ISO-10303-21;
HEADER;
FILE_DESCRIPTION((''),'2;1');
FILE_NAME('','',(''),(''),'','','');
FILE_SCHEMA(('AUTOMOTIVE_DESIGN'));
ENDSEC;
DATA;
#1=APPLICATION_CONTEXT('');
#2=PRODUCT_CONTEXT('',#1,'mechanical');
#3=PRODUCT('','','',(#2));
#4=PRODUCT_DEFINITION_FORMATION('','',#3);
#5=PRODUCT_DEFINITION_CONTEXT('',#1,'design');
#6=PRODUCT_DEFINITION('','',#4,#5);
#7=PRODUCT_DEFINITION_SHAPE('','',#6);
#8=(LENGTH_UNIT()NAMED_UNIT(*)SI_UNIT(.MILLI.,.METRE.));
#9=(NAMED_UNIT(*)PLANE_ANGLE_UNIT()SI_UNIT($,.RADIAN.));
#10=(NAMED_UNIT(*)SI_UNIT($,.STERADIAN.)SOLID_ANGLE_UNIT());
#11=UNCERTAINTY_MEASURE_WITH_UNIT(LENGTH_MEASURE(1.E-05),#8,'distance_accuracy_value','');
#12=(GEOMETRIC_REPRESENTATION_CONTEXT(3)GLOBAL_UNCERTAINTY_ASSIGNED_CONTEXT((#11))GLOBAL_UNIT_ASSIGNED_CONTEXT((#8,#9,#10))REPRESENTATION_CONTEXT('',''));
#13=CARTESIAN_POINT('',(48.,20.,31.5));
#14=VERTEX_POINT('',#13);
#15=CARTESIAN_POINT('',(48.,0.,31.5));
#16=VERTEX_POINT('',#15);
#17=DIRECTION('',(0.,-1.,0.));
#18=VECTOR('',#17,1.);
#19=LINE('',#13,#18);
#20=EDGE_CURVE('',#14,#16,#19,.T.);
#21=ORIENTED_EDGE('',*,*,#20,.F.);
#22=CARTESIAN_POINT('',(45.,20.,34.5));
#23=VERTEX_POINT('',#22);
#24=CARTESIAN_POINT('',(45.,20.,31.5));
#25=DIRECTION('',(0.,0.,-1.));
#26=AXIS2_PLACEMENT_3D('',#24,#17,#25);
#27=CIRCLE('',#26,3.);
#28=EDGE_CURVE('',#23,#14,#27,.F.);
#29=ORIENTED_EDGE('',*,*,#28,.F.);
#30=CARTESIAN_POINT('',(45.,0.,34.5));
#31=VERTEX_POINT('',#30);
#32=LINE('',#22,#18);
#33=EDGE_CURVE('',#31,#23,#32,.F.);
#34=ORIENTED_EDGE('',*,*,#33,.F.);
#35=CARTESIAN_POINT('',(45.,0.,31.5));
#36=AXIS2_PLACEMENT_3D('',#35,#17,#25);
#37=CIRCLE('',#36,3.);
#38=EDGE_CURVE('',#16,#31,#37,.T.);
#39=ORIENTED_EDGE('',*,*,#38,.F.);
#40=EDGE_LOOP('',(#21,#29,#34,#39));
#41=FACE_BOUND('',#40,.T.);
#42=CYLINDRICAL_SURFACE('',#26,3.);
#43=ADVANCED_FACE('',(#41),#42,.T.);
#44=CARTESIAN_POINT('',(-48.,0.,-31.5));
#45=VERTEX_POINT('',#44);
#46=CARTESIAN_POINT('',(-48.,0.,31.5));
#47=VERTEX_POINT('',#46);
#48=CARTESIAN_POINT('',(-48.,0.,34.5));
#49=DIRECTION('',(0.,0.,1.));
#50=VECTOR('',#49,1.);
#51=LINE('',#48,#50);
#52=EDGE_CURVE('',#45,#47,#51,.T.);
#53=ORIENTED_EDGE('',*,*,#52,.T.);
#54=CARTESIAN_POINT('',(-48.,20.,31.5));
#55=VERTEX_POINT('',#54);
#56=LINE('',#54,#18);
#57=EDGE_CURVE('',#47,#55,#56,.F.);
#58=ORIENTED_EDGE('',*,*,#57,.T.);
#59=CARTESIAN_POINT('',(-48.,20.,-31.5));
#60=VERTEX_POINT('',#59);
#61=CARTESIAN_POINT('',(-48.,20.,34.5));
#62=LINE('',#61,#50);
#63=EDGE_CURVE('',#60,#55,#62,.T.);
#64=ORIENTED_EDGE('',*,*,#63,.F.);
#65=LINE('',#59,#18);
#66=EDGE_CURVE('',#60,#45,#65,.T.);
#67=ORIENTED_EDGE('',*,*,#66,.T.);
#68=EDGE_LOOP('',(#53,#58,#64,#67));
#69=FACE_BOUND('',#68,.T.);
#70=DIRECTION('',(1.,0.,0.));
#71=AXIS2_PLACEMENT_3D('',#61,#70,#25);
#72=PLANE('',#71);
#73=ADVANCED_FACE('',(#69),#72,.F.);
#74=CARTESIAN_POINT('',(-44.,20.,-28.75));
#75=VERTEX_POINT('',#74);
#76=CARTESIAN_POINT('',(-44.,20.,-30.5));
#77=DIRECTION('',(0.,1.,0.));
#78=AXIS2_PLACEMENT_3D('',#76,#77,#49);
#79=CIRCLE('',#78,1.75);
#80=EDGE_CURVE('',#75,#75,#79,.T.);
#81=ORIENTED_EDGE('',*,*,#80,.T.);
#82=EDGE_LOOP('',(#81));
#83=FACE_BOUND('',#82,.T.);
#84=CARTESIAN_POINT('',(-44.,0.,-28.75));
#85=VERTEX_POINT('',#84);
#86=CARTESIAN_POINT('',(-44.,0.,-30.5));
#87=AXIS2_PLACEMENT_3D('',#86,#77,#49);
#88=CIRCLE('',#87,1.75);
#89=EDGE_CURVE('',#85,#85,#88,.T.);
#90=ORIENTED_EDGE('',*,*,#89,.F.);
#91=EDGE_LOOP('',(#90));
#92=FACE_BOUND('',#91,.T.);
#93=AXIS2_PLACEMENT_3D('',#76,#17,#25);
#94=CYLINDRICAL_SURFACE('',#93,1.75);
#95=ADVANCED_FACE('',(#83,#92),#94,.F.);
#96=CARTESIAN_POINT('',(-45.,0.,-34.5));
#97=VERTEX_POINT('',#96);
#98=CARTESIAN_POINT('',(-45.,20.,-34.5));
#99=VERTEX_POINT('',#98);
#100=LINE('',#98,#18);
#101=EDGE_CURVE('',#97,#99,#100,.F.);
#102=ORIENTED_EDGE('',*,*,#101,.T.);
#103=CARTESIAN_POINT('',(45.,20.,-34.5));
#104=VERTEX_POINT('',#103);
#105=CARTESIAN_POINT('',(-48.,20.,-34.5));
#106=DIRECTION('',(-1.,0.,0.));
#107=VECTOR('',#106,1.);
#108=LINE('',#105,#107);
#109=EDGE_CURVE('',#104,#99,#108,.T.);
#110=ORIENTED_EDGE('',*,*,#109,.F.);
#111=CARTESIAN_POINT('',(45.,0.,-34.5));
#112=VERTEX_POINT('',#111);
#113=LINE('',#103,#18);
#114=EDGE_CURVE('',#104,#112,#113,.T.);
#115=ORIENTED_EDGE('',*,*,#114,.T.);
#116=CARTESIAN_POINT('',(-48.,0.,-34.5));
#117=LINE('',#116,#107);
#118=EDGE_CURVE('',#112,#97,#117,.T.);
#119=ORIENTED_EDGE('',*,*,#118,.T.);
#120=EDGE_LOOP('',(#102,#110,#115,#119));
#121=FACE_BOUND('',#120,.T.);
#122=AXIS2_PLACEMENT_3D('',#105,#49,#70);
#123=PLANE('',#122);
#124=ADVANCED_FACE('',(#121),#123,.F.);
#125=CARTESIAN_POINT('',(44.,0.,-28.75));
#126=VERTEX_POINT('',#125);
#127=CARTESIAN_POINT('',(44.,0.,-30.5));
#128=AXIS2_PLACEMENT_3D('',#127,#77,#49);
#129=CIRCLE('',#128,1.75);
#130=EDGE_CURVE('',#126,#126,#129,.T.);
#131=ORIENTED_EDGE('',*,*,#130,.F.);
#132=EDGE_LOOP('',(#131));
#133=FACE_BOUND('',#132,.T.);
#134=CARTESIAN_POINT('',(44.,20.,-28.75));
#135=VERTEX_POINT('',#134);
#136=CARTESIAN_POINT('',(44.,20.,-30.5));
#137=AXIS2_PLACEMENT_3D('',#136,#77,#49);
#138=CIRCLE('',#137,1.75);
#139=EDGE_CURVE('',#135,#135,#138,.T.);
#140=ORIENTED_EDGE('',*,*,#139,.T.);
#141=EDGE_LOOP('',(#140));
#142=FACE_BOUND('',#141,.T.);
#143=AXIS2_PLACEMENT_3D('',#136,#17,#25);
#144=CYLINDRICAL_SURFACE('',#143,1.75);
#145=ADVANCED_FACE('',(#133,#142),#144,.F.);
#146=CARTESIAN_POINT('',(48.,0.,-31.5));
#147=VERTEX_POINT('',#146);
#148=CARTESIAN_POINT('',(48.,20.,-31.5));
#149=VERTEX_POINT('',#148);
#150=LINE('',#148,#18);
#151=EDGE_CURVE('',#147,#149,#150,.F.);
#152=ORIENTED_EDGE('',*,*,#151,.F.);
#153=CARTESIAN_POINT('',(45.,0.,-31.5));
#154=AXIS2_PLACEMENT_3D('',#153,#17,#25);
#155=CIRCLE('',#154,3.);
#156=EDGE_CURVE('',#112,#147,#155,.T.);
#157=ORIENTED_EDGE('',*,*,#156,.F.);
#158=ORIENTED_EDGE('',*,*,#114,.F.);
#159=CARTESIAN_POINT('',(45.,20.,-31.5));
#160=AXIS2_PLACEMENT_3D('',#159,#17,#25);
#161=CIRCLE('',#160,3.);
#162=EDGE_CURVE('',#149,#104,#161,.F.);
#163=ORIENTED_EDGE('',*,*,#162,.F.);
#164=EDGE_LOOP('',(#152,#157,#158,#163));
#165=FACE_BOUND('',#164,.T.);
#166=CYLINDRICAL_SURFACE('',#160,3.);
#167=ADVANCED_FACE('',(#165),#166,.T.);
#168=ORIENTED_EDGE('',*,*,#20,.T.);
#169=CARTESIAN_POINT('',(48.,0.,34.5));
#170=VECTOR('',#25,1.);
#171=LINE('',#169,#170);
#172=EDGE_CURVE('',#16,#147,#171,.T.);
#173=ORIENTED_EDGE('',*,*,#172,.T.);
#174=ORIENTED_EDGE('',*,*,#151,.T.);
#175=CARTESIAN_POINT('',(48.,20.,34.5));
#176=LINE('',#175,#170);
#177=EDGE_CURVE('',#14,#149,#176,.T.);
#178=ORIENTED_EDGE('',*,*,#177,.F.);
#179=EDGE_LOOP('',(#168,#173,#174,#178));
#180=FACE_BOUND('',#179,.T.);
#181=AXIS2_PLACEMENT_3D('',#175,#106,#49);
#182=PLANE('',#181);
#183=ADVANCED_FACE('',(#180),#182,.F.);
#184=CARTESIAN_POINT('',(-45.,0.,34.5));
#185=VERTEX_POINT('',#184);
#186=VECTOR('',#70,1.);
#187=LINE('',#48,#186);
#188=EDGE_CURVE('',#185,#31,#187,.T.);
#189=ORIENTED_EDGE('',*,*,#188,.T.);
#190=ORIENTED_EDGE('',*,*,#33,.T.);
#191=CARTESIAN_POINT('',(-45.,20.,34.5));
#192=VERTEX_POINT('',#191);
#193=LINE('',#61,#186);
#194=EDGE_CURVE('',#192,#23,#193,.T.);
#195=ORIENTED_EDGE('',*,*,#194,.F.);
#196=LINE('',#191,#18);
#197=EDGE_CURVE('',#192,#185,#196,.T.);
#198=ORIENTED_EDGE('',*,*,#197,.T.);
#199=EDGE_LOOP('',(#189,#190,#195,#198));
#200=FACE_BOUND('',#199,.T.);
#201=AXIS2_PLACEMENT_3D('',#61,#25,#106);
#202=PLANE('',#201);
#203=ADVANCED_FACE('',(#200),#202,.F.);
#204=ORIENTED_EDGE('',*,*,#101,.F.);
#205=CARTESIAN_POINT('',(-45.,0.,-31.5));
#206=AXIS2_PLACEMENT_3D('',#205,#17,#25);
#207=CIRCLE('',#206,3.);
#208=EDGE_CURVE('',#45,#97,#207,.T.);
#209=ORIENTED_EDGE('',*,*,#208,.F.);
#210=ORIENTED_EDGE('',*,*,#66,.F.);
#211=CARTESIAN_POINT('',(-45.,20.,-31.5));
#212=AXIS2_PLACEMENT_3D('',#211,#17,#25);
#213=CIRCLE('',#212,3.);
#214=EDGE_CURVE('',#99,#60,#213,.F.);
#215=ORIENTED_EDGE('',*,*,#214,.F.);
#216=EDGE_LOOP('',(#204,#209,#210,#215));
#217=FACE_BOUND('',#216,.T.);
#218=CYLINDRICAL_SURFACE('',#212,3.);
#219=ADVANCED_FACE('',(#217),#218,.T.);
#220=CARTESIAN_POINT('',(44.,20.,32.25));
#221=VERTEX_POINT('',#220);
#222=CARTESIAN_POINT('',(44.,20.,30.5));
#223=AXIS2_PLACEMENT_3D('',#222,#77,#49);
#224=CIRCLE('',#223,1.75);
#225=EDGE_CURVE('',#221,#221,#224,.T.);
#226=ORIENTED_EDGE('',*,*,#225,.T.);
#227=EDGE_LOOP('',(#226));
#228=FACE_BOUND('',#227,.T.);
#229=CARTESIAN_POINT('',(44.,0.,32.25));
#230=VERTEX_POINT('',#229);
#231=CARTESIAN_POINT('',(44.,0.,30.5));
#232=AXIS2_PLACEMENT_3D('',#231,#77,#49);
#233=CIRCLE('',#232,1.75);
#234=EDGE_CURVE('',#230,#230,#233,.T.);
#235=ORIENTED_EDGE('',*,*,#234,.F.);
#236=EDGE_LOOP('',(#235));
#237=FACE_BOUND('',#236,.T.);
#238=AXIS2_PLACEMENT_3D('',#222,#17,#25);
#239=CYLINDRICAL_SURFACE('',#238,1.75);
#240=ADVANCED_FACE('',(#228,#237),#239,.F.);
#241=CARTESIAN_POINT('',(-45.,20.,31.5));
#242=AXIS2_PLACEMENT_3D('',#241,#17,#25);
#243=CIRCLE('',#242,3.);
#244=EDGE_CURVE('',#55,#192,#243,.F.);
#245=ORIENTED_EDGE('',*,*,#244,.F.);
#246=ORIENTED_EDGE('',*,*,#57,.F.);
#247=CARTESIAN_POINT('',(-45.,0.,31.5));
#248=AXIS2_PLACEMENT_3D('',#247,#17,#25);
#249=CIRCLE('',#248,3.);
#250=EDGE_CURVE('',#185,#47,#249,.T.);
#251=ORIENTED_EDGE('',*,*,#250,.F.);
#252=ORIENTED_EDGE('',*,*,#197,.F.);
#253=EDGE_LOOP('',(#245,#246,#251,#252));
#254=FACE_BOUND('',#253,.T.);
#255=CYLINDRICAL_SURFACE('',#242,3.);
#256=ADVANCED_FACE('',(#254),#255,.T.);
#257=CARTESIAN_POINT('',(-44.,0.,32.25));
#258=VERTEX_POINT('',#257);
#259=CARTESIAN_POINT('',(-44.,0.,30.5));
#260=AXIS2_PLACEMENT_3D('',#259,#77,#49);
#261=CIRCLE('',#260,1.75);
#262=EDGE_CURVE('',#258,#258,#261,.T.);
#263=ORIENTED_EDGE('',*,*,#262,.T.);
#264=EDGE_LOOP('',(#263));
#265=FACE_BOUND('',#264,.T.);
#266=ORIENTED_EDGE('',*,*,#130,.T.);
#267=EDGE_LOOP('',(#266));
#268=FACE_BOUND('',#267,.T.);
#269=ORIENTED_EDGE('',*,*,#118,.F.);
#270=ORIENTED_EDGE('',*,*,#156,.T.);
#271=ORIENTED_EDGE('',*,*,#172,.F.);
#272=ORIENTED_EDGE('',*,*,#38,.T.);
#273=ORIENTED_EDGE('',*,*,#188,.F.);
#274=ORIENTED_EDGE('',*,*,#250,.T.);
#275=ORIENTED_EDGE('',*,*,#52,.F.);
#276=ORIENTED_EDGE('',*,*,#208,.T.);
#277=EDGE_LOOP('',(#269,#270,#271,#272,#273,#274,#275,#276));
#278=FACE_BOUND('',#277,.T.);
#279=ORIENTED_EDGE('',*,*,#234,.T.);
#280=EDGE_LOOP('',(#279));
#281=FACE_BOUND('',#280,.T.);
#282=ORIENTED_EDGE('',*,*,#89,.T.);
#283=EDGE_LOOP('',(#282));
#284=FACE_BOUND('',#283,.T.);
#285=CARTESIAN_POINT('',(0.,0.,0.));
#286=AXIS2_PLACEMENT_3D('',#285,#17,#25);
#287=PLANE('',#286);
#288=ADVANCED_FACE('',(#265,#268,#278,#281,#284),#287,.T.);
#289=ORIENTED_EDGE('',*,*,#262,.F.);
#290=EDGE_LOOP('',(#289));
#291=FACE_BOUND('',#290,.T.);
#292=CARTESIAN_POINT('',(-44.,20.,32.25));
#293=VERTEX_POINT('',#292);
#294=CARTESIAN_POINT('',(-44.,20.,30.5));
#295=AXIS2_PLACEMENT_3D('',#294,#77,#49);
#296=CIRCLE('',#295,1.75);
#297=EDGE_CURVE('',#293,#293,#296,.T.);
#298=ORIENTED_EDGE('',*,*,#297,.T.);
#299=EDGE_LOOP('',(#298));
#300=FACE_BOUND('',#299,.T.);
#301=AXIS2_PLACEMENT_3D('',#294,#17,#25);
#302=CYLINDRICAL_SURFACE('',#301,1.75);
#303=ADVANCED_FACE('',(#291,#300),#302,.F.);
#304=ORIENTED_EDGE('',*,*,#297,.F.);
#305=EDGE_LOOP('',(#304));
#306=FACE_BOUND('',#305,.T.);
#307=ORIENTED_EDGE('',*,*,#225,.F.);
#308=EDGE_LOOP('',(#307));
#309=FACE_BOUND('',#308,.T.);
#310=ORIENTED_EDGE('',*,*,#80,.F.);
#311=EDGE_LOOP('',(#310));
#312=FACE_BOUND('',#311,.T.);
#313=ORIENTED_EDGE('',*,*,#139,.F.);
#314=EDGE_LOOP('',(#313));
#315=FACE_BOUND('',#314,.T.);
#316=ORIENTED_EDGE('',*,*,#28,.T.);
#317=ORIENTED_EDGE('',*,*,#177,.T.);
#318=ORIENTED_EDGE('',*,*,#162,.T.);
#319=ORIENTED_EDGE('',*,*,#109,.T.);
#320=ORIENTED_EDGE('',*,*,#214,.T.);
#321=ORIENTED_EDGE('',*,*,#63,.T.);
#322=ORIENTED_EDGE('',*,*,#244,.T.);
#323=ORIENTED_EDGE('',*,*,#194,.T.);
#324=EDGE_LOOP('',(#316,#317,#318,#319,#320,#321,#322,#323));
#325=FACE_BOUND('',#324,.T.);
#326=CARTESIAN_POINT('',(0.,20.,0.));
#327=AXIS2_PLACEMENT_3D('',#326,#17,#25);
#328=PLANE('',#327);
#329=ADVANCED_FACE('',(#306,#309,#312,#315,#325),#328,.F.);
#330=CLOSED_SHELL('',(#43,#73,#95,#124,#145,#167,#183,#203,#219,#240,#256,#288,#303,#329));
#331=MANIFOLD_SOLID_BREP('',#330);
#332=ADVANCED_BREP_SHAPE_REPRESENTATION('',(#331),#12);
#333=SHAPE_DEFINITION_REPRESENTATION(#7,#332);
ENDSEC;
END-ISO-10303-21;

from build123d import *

# Parameters (mm, degrees)
SKETCH_1_W      = 96
SKETCH_1_H      = 69
SKETCH_1_R      = 1.75
EXTRUDE_1_DEPTH = 20
FILLET_1_R      = 3


with BuildPart() as part:
    # 草图1 → 凸台-拉伸1 (new body)
    with BuildSketch(Plane(origin=(0, 0, 0), x_dir=(1, 0, 0), z_dir=(0, 1, 0))):
        Rectangle(SKETCH_1_W, SKETCH_1_H)
        with Locations(Location((-44, 30.5, 0), (0, 0, 270))):
            Circle(SKETCH_1_R, mode=Mode.SUBTRACT)
        with Locations(Location((44, 30.5, 0), (0, 0, 270))):
            Circle(SKETCH_1_R, mode=Mode.SUBTRACT)
        with Locations(Location((-44, -30.5, 0), (0, 0, 270))):
            Circle(SKETCH_1_R, mode=Mode.SUBTRACT)
        with Locations(Location((44, -30.5, 0), (0, 0, 270))):
            Circle(SKETCH_1_R, mode=Mode.SUBTRACT)
    extrude(amount=EXTRUDE_1_DEPTH)

    # 圆角1
    fillet_1_edges = [part.edges().sort_by_distance(p)[0] for p in [
        (48, 10, 34.5),
        (-48, 10, 34.5),
        (-48, 10, -34.5),
        (48, 10, -34.5),
    ]]
    fillet(fillet_1_edges, radius=FILLET_1_R)


solid = part.part
